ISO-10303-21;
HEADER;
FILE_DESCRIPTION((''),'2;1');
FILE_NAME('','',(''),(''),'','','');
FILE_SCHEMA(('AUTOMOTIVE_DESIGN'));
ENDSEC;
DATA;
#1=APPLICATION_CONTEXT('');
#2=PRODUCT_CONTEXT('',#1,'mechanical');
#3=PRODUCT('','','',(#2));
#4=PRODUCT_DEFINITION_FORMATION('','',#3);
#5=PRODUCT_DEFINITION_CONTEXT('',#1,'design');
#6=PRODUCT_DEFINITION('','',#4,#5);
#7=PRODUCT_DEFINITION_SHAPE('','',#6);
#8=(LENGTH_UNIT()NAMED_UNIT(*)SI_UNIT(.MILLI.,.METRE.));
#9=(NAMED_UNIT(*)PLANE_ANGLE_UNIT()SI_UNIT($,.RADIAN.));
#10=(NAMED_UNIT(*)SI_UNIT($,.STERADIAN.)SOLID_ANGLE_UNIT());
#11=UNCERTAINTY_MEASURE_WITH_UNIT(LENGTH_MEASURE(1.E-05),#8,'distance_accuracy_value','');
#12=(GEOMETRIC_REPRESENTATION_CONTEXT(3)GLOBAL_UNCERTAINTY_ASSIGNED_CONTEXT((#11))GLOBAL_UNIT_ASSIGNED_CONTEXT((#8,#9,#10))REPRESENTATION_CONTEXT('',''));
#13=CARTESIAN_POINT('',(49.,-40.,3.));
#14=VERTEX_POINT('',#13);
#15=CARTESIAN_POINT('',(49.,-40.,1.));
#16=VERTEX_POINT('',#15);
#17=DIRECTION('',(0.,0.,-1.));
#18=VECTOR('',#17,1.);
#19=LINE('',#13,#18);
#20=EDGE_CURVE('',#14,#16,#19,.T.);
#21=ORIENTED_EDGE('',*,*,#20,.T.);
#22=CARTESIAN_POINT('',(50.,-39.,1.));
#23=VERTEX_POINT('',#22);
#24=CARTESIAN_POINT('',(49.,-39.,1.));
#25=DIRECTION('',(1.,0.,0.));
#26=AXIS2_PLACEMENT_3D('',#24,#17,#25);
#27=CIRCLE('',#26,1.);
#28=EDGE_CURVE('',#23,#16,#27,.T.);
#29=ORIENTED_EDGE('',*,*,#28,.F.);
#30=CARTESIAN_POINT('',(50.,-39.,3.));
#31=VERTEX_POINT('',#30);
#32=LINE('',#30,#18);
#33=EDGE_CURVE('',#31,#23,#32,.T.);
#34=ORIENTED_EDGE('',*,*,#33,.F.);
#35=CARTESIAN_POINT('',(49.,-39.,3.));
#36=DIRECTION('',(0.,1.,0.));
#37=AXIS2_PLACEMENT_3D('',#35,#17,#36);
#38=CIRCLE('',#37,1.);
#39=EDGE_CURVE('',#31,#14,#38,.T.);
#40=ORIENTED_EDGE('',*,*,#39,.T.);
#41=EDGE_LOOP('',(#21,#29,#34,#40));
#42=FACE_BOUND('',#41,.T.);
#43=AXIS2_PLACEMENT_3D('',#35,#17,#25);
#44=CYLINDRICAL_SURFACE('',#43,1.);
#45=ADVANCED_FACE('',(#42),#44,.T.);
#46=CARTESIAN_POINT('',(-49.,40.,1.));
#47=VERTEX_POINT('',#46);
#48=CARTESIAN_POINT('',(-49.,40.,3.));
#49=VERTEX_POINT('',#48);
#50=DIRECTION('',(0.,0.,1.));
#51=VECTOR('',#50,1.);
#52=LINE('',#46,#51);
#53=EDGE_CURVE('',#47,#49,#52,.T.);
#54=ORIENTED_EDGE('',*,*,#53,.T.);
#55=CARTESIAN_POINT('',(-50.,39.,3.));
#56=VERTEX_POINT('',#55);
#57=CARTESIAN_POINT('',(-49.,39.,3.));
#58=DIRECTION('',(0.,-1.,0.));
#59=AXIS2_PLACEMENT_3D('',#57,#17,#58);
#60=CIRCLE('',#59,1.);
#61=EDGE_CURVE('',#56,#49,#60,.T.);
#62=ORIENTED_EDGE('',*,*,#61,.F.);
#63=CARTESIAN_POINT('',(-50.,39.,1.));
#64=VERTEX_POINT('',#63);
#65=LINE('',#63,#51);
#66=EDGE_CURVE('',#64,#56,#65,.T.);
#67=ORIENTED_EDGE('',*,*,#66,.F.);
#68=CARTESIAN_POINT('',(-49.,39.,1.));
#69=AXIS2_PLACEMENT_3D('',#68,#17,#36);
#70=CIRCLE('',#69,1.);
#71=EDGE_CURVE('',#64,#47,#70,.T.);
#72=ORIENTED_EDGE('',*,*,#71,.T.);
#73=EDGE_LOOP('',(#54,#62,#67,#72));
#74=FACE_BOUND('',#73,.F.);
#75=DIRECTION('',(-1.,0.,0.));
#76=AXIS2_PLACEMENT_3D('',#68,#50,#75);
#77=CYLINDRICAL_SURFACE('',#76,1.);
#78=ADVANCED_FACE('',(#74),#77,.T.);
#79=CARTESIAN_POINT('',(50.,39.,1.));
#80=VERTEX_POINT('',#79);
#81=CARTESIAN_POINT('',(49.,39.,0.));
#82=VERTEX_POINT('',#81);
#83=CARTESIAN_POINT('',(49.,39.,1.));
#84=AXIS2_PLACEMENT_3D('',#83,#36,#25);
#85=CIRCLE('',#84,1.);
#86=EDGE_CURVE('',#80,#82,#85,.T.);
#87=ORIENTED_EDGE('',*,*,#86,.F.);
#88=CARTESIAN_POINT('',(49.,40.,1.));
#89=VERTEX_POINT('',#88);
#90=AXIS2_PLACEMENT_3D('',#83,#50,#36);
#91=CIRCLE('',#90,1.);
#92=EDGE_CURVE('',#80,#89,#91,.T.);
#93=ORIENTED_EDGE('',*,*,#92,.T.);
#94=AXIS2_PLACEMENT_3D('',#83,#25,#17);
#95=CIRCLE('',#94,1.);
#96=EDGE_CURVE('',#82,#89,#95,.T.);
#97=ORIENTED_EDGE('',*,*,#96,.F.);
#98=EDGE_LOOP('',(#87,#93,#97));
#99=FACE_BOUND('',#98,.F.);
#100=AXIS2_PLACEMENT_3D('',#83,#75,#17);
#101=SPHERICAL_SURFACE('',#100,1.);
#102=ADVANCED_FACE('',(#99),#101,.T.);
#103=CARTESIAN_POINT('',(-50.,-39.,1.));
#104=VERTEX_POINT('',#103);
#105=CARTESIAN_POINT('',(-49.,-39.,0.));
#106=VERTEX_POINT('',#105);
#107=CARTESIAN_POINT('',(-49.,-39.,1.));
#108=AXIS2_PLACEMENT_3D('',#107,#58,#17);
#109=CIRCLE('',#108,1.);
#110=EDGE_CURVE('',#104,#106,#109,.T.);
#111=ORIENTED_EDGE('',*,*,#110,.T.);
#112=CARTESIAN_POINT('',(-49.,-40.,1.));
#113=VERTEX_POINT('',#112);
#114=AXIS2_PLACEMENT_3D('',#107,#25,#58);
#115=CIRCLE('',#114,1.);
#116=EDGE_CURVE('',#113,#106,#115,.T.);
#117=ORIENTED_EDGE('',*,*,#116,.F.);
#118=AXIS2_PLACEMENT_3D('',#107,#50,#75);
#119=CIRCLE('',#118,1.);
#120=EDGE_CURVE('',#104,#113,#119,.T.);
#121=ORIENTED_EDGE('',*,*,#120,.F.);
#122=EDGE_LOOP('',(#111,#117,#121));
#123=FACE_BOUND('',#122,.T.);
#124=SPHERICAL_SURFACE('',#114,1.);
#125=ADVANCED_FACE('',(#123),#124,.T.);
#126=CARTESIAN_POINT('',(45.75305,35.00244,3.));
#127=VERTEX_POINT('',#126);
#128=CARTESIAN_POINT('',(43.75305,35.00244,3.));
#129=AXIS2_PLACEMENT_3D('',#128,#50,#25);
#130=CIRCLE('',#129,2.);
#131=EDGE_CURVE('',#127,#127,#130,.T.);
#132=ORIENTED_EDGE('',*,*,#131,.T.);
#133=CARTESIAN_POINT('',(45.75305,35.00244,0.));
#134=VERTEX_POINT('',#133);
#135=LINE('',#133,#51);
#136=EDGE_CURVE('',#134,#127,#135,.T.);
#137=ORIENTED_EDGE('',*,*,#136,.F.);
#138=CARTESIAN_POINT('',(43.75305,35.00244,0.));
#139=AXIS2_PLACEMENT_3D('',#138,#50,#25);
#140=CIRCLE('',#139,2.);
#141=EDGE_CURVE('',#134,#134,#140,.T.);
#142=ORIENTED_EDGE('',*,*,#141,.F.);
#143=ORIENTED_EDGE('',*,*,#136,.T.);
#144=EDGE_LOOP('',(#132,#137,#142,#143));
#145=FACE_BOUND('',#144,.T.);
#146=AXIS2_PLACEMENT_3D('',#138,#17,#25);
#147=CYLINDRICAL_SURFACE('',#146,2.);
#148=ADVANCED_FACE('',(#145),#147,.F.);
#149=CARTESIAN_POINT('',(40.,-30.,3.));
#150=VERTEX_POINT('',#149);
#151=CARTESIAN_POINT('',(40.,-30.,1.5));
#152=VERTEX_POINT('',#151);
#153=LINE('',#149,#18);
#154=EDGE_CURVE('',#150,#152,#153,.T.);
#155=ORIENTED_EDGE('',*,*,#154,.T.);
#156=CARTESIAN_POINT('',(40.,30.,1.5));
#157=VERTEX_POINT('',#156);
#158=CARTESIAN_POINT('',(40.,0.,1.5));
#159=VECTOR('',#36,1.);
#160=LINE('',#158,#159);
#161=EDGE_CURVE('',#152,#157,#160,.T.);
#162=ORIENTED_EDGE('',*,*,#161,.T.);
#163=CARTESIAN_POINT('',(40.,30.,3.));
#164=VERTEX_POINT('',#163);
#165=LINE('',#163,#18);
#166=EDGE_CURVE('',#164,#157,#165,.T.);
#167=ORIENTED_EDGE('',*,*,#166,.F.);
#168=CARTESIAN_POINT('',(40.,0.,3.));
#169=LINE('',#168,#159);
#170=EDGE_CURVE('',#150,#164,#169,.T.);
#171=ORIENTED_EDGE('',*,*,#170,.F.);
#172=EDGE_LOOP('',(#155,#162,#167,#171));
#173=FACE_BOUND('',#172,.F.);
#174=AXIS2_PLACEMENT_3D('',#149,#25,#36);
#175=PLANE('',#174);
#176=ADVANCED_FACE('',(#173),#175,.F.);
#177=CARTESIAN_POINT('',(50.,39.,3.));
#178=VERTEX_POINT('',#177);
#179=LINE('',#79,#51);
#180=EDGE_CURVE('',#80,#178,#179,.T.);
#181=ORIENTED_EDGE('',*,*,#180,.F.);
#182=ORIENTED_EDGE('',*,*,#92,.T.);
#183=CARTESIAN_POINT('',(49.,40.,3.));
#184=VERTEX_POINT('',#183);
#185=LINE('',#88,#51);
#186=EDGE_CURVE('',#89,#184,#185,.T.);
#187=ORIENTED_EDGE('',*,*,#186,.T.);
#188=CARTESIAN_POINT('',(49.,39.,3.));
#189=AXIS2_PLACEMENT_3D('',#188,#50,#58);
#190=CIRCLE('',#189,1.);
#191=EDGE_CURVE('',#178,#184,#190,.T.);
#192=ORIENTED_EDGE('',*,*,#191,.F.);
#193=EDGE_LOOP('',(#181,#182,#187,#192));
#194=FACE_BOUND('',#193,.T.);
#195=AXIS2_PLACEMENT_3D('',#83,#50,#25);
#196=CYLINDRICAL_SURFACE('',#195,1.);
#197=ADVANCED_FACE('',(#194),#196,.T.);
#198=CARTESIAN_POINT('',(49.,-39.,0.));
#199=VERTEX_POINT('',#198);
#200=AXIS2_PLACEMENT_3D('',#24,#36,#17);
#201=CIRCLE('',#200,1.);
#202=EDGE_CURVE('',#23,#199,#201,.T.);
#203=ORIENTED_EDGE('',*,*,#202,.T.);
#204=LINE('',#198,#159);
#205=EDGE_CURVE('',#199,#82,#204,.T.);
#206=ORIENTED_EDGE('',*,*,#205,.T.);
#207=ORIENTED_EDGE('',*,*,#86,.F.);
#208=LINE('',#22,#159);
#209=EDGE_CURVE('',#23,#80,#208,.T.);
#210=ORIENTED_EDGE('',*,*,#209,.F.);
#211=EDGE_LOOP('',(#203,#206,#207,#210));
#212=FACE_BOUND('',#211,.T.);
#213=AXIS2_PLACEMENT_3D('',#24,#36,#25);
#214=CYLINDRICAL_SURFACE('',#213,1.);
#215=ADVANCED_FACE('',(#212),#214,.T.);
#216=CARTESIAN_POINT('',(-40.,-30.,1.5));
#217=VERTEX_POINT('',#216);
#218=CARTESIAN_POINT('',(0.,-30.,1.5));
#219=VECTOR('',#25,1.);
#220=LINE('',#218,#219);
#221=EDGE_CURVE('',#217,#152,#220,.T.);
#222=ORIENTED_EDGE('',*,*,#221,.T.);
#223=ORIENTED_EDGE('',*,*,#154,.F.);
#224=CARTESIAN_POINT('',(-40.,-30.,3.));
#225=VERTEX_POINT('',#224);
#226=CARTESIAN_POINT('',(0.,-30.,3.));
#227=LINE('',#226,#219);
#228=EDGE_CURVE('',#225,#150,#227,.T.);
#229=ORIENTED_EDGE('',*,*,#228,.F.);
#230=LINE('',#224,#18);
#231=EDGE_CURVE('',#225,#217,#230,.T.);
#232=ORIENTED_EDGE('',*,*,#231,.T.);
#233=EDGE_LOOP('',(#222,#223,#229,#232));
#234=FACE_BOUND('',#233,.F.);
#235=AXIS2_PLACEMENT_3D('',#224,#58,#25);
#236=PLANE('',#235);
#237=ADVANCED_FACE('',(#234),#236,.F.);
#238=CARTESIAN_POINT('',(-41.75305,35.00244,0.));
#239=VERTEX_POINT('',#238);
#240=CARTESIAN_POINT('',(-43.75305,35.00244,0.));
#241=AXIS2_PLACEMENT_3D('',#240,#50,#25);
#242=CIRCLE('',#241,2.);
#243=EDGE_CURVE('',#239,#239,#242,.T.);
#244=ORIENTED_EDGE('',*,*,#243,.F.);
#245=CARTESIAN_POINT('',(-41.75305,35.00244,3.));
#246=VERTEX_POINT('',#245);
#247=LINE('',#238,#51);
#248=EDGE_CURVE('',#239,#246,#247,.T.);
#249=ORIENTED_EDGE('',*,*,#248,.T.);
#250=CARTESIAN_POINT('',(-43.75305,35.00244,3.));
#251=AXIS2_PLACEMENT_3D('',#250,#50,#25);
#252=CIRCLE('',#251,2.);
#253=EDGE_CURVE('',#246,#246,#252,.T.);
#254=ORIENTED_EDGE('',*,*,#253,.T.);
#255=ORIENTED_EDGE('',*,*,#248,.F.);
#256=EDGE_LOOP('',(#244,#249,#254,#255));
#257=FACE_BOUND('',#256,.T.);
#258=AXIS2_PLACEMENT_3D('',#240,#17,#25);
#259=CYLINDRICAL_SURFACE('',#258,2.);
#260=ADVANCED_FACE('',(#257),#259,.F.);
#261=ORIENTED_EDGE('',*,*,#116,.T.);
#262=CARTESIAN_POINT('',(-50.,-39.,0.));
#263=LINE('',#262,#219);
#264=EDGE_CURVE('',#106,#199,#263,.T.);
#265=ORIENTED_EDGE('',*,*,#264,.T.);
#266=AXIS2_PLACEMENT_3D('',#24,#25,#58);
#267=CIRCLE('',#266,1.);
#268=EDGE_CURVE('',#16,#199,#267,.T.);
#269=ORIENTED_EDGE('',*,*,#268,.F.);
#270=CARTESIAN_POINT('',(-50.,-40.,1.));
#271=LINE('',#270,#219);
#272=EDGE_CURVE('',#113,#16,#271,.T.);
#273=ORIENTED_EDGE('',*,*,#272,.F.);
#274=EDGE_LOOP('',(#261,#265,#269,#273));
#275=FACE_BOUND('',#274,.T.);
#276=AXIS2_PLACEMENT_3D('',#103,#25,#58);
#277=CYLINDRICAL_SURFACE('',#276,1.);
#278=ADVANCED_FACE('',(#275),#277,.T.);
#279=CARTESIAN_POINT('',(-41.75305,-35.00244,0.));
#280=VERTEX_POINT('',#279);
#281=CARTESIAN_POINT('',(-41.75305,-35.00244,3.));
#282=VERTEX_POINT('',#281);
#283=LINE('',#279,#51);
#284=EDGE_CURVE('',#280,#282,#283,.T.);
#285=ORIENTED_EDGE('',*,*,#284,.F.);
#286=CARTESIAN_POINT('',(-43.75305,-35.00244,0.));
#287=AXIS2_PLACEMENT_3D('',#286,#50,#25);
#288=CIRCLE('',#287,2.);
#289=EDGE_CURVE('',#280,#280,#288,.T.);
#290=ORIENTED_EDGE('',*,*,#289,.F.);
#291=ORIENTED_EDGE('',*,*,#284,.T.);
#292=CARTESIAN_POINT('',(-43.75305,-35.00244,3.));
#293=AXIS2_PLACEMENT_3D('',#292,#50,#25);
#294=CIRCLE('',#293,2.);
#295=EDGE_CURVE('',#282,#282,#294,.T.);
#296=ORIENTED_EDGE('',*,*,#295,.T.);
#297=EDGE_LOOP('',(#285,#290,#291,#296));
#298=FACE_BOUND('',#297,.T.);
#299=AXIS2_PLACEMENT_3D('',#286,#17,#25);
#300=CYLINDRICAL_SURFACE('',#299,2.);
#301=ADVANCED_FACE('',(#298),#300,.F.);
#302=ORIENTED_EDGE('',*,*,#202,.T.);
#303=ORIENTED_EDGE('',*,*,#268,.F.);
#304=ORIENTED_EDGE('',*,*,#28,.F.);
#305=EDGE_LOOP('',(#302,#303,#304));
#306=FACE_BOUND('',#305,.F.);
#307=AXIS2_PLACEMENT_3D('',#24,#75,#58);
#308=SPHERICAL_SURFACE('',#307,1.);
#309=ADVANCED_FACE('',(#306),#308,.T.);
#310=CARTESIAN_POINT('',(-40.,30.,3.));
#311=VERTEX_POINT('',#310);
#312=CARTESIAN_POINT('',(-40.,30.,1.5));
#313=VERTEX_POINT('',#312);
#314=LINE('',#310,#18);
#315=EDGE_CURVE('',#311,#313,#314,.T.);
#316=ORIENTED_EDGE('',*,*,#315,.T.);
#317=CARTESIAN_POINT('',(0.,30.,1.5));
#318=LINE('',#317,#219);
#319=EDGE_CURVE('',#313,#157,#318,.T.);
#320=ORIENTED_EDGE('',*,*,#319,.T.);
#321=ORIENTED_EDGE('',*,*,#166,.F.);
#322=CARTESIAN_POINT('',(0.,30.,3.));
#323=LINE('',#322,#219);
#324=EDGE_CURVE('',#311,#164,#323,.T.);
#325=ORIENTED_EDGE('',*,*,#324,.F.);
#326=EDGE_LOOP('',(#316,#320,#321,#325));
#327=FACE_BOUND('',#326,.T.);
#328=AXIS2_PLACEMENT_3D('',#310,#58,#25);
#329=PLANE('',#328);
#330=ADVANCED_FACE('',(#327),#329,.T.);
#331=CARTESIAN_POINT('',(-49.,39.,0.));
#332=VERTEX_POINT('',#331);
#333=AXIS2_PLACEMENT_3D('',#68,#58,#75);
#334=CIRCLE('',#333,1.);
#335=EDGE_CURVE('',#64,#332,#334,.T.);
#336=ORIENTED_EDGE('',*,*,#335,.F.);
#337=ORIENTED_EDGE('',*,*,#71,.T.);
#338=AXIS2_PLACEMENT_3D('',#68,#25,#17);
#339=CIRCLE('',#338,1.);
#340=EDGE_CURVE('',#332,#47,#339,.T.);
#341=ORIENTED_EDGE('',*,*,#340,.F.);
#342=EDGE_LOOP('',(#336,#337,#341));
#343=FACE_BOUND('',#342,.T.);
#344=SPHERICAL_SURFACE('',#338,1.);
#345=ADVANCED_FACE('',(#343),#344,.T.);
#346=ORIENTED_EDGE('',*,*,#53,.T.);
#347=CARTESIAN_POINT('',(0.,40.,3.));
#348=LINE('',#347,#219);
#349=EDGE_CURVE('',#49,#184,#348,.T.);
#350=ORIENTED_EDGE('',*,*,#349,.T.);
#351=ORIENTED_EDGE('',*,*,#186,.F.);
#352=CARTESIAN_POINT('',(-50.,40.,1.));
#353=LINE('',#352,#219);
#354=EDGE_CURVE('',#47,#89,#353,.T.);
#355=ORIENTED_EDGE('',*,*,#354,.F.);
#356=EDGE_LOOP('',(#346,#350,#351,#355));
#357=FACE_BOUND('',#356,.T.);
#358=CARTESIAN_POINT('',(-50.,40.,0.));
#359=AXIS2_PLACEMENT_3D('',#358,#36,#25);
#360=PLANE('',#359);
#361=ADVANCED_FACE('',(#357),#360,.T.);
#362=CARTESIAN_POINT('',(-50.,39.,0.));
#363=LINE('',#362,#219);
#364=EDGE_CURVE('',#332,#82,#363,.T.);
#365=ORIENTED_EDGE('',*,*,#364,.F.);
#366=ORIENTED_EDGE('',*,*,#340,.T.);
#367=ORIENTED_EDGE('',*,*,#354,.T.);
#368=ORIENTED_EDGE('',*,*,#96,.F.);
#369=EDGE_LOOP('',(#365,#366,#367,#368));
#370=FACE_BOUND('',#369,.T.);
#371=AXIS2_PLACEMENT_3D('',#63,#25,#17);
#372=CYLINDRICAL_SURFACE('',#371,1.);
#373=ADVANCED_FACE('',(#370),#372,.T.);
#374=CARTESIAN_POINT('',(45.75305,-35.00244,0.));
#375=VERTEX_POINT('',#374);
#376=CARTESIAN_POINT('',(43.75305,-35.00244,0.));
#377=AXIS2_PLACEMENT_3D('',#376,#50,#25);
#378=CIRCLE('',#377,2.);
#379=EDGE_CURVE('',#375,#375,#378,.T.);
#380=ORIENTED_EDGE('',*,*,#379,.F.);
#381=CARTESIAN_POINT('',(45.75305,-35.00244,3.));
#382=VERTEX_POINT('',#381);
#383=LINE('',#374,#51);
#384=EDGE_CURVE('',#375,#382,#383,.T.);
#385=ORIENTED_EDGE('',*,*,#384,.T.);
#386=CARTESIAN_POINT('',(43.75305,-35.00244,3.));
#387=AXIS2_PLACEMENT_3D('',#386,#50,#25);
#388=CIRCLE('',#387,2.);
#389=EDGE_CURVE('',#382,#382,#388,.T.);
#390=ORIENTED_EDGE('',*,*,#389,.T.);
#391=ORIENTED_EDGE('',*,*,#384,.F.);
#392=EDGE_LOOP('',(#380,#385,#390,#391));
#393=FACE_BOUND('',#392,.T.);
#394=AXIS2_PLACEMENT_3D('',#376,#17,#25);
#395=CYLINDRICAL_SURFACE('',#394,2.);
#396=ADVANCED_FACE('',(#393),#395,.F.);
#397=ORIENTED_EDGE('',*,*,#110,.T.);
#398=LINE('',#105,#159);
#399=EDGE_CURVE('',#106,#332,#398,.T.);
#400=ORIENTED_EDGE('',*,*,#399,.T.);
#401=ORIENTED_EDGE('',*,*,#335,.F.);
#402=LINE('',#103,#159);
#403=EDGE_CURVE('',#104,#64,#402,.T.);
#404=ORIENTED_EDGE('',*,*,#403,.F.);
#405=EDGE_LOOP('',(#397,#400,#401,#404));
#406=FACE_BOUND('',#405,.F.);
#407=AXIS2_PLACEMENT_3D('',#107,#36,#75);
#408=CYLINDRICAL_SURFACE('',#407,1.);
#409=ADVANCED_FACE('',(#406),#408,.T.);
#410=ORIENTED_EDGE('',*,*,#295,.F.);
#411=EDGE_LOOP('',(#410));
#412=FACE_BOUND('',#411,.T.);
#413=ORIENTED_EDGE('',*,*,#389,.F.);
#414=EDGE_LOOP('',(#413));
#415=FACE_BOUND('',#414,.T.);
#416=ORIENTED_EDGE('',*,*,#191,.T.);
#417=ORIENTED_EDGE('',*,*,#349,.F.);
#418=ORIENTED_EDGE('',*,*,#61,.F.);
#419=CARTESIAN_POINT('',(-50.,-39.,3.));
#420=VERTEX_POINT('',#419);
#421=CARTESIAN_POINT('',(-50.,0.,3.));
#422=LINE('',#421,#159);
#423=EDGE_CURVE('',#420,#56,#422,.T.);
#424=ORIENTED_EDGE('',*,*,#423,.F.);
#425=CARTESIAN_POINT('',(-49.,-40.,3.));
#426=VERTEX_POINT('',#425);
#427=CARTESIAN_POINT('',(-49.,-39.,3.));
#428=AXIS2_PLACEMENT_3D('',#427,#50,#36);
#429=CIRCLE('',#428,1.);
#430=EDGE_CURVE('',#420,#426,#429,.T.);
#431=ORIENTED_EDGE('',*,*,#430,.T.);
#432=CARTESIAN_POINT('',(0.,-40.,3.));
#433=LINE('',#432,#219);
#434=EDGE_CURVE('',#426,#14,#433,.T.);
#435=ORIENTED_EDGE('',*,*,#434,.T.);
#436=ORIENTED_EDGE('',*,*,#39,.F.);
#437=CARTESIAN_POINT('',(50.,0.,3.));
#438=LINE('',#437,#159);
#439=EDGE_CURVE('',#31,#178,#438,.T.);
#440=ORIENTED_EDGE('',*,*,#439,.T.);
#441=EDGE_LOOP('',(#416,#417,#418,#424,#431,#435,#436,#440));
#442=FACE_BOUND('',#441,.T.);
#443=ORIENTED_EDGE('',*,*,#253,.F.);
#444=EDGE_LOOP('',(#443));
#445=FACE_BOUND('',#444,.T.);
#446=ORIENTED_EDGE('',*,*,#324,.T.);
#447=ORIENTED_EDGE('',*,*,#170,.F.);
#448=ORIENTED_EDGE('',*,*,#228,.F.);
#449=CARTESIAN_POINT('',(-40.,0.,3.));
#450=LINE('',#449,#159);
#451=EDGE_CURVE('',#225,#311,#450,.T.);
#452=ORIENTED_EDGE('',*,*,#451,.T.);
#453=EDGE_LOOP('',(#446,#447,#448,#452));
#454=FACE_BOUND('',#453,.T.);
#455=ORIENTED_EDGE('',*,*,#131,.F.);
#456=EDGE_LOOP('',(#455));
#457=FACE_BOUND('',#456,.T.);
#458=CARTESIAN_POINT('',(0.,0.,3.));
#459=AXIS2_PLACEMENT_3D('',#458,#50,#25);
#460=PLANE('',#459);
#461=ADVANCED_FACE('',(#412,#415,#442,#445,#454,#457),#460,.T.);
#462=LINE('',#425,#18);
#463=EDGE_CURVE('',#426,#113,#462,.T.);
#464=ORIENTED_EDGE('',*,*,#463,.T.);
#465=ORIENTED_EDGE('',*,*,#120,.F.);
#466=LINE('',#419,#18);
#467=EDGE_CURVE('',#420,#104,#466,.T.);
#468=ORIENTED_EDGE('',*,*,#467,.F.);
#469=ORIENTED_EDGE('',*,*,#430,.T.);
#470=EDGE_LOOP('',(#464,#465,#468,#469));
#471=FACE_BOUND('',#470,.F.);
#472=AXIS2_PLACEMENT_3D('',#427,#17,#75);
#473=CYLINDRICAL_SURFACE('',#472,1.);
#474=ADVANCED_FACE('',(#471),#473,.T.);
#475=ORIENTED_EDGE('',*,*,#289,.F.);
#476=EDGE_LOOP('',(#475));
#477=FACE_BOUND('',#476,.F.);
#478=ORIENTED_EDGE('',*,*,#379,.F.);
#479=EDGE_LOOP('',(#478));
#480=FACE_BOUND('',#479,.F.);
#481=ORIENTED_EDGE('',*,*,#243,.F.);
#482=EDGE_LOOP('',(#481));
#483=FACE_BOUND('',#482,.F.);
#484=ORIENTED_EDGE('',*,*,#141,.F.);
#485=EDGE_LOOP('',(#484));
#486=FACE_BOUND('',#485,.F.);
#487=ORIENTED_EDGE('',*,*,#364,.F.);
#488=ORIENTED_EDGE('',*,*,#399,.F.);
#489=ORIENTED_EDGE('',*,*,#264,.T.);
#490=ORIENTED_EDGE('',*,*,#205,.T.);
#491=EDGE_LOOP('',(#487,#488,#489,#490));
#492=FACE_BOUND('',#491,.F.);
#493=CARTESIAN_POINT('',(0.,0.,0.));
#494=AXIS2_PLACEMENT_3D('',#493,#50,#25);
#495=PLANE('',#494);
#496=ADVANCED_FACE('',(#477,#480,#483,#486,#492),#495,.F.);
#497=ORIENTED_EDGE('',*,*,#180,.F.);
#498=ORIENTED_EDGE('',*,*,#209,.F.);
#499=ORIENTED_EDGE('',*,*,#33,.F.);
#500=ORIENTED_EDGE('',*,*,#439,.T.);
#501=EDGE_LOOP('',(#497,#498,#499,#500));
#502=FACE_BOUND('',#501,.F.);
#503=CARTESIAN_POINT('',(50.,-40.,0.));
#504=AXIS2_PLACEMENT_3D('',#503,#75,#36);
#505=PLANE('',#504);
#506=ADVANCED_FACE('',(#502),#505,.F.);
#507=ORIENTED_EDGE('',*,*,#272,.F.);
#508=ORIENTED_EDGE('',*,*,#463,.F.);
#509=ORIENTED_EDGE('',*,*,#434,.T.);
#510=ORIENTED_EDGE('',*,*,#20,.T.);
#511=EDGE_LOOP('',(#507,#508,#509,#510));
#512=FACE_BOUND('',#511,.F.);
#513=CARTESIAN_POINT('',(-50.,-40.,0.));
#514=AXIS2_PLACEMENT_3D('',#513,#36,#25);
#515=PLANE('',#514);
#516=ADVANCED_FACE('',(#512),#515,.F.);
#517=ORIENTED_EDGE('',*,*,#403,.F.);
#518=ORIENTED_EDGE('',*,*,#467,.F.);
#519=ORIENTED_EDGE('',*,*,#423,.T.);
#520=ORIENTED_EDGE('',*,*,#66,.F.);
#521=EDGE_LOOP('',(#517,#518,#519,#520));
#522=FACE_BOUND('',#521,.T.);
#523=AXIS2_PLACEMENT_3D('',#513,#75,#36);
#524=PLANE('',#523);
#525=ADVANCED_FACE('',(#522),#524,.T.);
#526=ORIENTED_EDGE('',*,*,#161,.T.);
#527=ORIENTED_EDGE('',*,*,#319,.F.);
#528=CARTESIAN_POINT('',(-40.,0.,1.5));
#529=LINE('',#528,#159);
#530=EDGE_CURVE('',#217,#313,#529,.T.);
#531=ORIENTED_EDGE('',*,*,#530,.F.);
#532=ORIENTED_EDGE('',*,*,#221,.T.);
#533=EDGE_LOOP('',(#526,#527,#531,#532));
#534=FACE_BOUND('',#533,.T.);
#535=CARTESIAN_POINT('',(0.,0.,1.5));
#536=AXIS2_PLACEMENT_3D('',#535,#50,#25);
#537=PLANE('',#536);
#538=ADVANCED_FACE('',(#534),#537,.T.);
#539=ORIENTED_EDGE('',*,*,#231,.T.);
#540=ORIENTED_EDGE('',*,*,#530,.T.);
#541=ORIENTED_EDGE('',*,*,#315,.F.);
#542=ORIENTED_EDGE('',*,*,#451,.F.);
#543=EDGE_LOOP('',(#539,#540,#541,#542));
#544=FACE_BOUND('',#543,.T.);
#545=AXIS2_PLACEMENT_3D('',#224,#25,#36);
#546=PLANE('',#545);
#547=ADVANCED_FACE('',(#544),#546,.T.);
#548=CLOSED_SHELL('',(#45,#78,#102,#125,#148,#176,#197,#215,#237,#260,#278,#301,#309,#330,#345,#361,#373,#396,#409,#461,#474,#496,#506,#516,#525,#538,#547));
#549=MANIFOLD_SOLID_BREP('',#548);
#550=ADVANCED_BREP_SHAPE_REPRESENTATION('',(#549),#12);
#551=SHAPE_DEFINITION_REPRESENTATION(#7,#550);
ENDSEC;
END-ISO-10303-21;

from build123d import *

# Parameters (mm, degrees)
SKETCH_W     = 100
SKETCH_H     = 80
SKETCH_R     = 2
PAD_DEPTH    = 3
SKETCH002_W  = 80
SKETCH002_H  = 60
POCKET_DEPTH = 1.5
FILLET_R     = 1
FILLET001_R  = 1
FILLET002_R  = 1
FILLET003_R  = 1


with BuildPart() as part:
    # Sketch → Pad (new body)
    with BuildSketch(Plane.XY):
        Rectangle(SKETCH_W, SKETCH_H)
        with Locations((-43.75305, -35.00244)):
            Circle(SKETCH_R, mode=Mode.SUBTRACT)
        with Locations((43.75305, 35.00244)):
            Circle(SKETCH_R, mode=Mode.SUBTRACT)
        with Locations((-43.75305, 35.00244)):
            Circle(SKETCH_R, mode=Mode.SUBTRACT)
        with Locations((43.75305, -35.00244)):
            Circle(SKETCH_R, mode=Mode.SUBTRACT)
    extrude(amount=PAD_DEPTH)

    # Sketch002 (on Face10 of Pad) → Pocket (cut)
    with BuildSketch(Plane.XY.offset(3)):
        Rectangle(SKETCH002_W, SKETCH002_H)
    extrude(amount=-POCKET_DEPTH, mode=Mode.SUBTRACT)

    # Fillet
    fillet_edges = [part.edges().sort_by_distance(p)[0] for p in [
        (0, -40, 0),
    ]]
    fillet(fillet_edges, radius=FILLET_R)

    # Fillet001
    fillet001_edges = [part.edges().sort_by_distance(p)[0] for p in [
        (0, 40, 0),
    ]]
    fillet(fillet001_edges, radius=FILLET001_R)

    # Fillet002
    fillet002_edges = [part.edges().sort_by_distance(p)[0] for p in [
        (-50, 0, 0),
    ]]
    fillet(fillet002_edges, radius=FILLET002_R)

    # Fillet003
    fillet003_edges = [part.edges().sort_by_distance(p)[0] for p in [
        (50, 0, 0),
    ]]
    fillet(fillet003_edges, radius=FILLET003_R)


solid = part.part
